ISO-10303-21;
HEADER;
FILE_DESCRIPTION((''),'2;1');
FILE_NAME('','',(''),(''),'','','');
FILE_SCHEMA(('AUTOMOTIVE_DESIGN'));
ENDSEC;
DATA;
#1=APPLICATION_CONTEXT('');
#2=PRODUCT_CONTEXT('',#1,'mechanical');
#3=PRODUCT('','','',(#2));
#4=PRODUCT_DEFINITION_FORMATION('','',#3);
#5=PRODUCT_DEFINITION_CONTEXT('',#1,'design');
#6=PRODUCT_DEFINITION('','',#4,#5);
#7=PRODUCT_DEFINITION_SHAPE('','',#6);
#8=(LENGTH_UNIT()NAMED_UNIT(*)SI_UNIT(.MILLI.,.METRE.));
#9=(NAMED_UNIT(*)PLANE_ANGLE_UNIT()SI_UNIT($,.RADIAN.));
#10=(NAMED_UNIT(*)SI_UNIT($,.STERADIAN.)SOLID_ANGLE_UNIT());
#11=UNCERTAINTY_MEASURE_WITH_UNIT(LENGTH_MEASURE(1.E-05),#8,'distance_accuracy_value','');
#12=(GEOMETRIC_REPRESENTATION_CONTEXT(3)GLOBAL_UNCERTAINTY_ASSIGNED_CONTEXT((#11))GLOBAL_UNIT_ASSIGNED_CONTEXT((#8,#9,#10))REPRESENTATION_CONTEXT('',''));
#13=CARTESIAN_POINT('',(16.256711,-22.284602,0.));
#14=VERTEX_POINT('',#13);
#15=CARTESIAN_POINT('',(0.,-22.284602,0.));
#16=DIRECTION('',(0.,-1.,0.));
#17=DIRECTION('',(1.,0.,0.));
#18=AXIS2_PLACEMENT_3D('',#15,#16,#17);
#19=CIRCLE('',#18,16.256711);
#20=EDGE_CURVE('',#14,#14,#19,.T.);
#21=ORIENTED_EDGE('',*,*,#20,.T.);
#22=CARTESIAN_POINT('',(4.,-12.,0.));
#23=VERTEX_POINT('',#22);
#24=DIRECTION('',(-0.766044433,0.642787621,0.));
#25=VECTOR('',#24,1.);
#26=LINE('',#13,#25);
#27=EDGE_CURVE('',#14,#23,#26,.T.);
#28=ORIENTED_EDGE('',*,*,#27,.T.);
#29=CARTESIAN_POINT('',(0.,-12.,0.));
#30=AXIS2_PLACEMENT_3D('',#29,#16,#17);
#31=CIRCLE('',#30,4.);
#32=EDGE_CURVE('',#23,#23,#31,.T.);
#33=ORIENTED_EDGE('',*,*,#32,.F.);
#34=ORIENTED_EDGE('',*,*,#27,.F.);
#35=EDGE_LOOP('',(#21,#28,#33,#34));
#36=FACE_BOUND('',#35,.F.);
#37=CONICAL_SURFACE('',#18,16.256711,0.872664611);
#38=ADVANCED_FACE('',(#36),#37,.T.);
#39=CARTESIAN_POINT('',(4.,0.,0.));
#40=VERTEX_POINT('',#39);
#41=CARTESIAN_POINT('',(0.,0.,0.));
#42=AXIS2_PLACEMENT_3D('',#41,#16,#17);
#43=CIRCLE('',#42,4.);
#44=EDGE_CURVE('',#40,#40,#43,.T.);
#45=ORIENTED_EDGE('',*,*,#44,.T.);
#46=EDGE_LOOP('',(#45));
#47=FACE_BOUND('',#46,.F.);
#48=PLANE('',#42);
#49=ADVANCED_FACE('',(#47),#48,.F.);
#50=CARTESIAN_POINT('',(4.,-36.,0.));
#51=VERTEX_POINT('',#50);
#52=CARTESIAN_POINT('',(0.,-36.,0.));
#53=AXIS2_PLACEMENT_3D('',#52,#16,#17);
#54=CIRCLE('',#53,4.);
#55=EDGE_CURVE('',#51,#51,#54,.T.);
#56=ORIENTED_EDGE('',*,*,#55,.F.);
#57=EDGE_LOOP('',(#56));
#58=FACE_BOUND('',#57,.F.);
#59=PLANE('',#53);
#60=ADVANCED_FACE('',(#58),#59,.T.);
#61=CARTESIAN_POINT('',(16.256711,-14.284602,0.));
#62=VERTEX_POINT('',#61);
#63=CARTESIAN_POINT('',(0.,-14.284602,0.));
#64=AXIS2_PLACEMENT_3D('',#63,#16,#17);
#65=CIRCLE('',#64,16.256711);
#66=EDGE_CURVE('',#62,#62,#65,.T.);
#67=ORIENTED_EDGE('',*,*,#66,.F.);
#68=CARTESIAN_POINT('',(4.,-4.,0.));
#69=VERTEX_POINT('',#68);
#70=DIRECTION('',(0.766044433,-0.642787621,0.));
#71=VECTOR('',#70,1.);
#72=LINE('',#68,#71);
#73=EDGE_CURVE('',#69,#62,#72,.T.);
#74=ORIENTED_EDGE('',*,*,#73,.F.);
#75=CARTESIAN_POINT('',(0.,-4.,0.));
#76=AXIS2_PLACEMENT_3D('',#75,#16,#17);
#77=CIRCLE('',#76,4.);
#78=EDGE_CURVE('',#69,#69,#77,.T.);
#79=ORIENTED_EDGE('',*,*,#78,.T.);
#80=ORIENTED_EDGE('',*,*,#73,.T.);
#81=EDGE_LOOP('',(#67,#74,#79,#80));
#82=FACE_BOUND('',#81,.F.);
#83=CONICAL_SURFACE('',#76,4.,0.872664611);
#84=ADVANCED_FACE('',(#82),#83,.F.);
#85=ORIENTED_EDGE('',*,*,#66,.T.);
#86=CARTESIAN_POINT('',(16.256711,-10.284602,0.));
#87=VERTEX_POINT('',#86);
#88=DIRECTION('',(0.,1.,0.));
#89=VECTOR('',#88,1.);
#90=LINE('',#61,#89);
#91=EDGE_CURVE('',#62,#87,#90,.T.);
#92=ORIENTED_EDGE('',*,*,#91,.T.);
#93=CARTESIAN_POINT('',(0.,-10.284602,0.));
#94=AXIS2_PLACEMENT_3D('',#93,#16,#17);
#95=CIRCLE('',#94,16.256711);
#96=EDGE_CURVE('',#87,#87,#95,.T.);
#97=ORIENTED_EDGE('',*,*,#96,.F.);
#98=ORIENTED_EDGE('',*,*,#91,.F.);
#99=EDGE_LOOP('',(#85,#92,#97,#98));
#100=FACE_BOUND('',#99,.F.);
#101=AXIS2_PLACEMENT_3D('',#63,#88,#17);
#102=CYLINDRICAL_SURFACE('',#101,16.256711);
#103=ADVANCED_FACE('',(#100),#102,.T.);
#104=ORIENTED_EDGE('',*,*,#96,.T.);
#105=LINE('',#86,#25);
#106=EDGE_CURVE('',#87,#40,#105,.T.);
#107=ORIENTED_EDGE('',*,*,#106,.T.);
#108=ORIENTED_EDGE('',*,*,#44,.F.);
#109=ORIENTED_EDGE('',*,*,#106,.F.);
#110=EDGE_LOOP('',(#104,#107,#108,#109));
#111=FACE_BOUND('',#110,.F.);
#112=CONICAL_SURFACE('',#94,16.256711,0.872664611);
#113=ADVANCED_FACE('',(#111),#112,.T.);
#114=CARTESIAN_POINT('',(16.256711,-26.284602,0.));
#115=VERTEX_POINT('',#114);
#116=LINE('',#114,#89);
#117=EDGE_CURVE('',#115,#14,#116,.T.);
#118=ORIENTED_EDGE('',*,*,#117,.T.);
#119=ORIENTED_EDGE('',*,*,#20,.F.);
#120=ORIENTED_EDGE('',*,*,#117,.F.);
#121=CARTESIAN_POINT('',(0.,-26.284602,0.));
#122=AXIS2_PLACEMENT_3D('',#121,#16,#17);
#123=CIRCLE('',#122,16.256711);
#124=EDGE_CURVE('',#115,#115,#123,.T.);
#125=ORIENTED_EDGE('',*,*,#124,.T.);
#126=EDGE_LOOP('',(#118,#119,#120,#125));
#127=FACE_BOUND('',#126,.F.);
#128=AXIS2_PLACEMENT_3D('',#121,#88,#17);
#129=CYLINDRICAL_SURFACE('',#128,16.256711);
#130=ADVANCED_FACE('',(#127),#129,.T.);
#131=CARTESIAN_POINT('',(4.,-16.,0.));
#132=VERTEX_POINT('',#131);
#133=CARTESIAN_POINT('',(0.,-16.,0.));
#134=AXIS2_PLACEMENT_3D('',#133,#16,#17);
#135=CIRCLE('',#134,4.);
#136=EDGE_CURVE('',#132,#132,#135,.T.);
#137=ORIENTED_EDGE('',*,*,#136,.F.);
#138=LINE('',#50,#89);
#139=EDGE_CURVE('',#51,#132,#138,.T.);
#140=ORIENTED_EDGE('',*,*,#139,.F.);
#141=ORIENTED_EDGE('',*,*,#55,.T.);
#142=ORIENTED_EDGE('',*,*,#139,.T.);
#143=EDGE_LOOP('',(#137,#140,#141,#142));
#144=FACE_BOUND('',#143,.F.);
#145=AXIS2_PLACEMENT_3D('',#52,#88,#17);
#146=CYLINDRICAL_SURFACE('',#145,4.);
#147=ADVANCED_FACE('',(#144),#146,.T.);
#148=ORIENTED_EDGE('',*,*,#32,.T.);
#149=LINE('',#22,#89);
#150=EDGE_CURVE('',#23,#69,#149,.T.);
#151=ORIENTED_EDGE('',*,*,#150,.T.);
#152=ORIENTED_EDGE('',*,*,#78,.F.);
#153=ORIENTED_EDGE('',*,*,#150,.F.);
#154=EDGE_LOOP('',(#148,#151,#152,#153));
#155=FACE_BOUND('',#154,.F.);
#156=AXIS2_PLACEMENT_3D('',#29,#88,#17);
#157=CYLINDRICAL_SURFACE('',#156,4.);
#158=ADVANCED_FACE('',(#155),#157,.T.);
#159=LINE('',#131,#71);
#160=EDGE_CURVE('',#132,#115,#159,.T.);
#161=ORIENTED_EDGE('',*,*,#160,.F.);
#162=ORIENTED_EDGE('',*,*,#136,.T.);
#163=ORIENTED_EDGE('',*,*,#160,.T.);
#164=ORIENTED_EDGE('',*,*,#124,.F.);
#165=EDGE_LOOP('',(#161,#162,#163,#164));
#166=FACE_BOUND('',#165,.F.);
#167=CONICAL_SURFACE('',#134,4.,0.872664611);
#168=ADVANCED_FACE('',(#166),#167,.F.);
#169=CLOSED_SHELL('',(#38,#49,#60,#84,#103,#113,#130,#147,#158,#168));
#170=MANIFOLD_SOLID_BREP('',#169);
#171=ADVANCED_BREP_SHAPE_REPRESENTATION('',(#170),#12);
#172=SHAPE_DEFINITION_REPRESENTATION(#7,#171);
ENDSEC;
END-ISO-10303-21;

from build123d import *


with BuildPart() as f1:
    # F0 (on Top) → F1 (revolve)
    with BuildSketch(Plane.XY):
        Polygon((4, 0), (0, 0), (0, -36), (4, -36), (4, -16), (16.256711, -26.284602), (16.256711, -22.284602), (4, -12), (4, -4), (16.256711, -14.284602), (16.256711, -10.284602), align=None)
    revolve(axis=Axis((0, -18, 0), (0, -1, 0)))


solid = f1.part
